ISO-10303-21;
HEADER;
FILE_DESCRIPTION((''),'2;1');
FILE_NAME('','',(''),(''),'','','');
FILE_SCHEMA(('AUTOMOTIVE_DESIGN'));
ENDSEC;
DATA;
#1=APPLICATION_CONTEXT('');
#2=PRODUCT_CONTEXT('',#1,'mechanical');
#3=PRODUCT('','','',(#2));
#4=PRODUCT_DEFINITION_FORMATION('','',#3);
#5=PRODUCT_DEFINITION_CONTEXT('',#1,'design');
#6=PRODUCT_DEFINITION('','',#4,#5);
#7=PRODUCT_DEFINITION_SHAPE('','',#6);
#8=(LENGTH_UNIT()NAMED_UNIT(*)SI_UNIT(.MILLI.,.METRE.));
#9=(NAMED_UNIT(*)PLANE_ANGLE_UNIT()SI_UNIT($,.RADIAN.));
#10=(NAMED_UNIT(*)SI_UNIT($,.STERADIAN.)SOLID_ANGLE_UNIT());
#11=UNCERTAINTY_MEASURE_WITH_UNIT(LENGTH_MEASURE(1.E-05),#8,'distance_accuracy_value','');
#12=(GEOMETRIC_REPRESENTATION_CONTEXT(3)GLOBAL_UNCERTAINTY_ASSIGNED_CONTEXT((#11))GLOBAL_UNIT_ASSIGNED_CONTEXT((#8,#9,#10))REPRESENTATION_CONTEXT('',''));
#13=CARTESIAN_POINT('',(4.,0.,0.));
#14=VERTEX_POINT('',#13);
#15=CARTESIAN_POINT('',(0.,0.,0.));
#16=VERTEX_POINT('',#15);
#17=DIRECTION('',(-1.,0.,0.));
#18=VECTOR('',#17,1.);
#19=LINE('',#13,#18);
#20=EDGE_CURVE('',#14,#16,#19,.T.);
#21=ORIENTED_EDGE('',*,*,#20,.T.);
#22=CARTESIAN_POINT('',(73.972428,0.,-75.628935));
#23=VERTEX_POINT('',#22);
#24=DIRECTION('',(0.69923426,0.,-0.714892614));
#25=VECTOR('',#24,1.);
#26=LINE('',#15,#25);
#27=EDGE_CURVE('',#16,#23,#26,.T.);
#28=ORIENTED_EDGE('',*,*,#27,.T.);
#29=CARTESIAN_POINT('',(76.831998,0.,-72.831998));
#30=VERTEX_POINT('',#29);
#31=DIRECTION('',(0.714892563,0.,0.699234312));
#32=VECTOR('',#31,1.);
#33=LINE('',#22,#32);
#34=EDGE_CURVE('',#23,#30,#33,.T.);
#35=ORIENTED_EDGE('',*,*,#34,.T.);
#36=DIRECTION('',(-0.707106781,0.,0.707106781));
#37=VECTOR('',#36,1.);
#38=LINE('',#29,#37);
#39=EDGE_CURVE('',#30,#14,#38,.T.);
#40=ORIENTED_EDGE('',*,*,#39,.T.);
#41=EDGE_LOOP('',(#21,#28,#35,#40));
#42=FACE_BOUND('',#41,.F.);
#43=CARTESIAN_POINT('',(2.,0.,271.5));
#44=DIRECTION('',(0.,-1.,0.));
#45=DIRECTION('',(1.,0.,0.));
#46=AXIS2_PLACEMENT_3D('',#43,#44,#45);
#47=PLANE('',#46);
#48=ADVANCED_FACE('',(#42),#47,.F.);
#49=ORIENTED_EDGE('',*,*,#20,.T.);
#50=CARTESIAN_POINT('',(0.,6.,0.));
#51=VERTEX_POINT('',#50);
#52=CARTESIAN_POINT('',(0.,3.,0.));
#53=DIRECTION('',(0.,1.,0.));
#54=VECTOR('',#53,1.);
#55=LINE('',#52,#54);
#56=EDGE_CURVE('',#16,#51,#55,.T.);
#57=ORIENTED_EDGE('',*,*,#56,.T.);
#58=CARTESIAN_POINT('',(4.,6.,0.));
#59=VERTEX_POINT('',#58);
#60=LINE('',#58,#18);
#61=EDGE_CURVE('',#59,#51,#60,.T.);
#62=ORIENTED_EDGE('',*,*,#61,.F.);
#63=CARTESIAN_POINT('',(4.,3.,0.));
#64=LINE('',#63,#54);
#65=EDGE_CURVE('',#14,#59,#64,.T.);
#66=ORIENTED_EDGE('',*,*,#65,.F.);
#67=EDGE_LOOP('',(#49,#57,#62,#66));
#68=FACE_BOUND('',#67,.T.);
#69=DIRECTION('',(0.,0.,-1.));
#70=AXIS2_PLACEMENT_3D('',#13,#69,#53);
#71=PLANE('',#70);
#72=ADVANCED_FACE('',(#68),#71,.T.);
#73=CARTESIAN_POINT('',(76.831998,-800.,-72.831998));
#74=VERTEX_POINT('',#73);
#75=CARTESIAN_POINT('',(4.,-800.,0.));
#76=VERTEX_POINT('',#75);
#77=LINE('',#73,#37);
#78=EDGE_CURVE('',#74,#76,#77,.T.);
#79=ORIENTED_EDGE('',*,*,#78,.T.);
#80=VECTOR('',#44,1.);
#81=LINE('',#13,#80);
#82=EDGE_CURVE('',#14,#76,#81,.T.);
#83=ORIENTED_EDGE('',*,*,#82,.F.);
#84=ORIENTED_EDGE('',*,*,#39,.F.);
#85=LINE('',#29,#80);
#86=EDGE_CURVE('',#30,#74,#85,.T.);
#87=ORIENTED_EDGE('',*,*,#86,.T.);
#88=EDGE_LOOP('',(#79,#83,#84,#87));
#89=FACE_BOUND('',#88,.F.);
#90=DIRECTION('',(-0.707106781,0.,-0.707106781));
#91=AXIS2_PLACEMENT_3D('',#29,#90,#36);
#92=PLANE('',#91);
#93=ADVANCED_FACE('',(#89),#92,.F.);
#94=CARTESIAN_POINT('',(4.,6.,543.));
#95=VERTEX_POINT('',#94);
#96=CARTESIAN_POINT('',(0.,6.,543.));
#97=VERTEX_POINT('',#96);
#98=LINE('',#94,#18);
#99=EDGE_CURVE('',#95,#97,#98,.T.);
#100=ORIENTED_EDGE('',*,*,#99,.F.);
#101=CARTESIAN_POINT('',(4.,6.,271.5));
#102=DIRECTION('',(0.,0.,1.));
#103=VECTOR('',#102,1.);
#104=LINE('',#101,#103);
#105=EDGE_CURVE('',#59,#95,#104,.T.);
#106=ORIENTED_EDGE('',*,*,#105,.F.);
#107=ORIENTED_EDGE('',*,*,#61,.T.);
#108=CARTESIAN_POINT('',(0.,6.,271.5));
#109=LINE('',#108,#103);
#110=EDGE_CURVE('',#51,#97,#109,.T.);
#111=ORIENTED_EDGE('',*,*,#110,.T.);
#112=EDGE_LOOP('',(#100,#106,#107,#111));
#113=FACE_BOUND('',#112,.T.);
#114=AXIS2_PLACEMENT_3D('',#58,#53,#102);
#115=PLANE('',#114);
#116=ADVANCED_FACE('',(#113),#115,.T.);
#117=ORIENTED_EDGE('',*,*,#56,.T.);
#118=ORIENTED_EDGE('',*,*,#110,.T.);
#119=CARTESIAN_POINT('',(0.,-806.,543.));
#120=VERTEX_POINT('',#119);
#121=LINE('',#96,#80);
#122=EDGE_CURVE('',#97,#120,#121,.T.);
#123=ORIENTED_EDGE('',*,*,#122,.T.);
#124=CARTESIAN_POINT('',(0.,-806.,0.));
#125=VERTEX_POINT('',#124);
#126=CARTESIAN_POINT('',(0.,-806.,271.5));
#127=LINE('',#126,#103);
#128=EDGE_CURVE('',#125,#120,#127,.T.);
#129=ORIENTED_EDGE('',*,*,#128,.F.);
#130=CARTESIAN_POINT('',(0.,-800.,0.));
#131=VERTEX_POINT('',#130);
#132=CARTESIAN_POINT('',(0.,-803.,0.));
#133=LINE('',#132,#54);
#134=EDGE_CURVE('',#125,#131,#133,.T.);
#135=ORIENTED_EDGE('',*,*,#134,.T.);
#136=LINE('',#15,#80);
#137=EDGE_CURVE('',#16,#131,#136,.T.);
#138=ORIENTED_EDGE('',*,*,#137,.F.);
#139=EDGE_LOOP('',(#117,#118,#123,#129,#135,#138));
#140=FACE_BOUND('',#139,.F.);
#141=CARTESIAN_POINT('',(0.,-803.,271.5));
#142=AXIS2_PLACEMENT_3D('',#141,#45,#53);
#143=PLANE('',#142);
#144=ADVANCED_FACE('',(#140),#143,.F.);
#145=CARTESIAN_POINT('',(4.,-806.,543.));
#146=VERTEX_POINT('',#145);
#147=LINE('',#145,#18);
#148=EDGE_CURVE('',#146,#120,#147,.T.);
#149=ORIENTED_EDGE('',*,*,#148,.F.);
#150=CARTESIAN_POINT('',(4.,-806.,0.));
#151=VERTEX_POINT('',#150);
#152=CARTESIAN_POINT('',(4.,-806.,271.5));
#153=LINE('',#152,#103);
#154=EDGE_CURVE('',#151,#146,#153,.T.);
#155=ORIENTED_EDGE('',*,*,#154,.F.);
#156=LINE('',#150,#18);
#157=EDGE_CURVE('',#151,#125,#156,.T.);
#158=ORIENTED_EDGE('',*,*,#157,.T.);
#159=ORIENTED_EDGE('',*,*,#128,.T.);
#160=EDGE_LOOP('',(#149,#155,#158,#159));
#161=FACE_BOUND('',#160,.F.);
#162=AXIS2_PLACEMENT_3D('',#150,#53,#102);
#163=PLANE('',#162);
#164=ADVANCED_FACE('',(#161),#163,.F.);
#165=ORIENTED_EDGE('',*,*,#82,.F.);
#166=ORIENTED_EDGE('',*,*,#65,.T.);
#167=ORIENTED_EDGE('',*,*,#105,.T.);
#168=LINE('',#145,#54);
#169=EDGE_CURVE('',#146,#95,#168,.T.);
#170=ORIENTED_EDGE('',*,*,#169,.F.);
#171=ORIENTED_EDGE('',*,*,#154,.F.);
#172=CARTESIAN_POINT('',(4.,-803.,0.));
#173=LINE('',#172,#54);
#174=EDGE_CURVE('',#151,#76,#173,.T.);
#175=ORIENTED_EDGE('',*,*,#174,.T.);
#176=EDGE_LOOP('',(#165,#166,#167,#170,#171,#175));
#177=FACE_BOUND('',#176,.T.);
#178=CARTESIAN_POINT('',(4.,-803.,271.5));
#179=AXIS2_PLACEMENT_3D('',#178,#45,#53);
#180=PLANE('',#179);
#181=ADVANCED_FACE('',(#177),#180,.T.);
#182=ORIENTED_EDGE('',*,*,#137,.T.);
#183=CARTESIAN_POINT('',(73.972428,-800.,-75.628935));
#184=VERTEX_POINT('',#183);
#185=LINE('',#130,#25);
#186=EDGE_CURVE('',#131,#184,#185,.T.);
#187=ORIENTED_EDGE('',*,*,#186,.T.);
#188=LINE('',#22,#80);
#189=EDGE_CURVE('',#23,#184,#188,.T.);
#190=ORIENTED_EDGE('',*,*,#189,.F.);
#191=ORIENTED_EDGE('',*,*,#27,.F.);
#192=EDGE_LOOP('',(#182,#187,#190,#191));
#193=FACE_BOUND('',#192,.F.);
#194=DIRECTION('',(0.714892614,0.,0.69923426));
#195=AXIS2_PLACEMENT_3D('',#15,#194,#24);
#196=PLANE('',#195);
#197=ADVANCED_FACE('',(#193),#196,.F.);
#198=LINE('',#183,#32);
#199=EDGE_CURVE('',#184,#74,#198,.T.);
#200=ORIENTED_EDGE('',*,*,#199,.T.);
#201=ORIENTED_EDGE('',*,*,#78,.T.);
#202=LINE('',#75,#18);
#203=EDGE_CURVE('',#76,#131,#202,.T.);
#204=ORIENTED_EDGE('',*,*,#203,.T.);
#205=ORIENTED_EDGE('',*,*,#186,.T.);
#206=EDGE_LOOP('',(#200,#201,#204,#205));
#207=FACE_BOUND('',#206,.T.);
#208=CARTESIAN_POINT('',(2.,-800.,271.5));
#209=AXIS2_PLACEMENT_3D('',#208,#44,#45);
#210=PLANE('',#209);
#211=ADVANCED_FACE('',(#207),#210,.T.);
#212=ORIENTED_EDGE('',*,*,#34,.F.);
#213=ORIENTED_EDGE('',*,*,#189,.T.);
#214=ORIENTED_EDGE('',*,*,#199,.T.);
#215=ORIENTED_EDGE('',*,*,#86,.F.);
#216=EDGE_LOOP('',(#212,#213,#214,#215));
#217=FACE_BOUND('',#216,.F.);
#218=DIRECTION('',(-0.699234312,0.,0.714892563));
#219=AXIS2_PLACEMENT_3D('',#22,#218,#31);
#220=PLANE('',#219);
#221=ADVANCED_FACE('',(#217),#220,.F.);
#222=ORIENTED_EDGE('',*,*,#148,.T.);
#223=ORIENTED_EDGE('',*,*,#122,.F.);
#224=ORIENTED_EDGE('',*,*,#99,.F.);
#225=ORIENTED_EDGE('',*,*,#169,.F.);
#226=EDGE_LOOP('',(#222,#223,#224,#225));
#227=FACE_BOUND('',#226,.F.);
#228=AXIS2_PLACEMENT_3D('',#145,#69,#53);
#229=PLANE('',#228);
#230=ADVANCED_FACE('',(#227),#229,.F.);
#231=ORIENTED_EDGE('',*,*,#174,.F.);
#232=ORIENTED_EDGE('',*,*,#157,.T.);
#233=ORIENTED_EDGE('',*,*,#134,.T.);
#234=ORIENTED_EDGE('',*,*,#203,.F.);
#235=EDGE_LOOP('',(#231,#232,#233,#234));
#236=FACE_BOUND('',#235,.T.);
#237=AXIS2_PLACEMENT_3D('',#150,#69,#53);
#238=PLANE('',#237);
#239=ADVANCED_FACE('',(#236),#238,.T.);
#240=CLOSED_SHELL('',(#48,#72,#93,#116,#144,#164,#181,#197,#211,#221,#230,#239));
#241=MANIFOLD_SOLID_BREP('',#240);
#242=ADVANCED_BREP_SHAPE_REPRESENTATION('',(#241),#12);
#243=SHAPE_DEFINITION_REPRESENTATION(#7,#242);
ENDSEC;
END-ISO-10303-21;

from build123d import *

# Parameters (mm, degrees)
F0_W     = 4
F0_H     = 543
F1_DEPTH = 800
F2_W     = 6
F2_H     = 543
F3_DEPTH = 4


with BuildPart() as f1:
    # F0 (on Front) → F1 (new body)
    with BuildSketch(Plane.XZ):
        with Locations((2, 271.5)):
            Rectangle(F0_W, F0_H)
        Polygon((4, 0), (0, 0), (73.972428, -75.628935), (76.831998, -72.831998), align=None)
    extrude(amount=F1_DEPTH)

    # F2 (on face) → F3 (join)
    with BuildSketch(Plane.YZ.offset(4)):
        with Locations((-803, 271.5)):
            Rectangle(F2_W, F2_H)
        with Locations((3, 271.5)):
            Rectangle(F2_W, F2_H)
    extrude(amount=-F3_DEPTH)


solid = f1.part
